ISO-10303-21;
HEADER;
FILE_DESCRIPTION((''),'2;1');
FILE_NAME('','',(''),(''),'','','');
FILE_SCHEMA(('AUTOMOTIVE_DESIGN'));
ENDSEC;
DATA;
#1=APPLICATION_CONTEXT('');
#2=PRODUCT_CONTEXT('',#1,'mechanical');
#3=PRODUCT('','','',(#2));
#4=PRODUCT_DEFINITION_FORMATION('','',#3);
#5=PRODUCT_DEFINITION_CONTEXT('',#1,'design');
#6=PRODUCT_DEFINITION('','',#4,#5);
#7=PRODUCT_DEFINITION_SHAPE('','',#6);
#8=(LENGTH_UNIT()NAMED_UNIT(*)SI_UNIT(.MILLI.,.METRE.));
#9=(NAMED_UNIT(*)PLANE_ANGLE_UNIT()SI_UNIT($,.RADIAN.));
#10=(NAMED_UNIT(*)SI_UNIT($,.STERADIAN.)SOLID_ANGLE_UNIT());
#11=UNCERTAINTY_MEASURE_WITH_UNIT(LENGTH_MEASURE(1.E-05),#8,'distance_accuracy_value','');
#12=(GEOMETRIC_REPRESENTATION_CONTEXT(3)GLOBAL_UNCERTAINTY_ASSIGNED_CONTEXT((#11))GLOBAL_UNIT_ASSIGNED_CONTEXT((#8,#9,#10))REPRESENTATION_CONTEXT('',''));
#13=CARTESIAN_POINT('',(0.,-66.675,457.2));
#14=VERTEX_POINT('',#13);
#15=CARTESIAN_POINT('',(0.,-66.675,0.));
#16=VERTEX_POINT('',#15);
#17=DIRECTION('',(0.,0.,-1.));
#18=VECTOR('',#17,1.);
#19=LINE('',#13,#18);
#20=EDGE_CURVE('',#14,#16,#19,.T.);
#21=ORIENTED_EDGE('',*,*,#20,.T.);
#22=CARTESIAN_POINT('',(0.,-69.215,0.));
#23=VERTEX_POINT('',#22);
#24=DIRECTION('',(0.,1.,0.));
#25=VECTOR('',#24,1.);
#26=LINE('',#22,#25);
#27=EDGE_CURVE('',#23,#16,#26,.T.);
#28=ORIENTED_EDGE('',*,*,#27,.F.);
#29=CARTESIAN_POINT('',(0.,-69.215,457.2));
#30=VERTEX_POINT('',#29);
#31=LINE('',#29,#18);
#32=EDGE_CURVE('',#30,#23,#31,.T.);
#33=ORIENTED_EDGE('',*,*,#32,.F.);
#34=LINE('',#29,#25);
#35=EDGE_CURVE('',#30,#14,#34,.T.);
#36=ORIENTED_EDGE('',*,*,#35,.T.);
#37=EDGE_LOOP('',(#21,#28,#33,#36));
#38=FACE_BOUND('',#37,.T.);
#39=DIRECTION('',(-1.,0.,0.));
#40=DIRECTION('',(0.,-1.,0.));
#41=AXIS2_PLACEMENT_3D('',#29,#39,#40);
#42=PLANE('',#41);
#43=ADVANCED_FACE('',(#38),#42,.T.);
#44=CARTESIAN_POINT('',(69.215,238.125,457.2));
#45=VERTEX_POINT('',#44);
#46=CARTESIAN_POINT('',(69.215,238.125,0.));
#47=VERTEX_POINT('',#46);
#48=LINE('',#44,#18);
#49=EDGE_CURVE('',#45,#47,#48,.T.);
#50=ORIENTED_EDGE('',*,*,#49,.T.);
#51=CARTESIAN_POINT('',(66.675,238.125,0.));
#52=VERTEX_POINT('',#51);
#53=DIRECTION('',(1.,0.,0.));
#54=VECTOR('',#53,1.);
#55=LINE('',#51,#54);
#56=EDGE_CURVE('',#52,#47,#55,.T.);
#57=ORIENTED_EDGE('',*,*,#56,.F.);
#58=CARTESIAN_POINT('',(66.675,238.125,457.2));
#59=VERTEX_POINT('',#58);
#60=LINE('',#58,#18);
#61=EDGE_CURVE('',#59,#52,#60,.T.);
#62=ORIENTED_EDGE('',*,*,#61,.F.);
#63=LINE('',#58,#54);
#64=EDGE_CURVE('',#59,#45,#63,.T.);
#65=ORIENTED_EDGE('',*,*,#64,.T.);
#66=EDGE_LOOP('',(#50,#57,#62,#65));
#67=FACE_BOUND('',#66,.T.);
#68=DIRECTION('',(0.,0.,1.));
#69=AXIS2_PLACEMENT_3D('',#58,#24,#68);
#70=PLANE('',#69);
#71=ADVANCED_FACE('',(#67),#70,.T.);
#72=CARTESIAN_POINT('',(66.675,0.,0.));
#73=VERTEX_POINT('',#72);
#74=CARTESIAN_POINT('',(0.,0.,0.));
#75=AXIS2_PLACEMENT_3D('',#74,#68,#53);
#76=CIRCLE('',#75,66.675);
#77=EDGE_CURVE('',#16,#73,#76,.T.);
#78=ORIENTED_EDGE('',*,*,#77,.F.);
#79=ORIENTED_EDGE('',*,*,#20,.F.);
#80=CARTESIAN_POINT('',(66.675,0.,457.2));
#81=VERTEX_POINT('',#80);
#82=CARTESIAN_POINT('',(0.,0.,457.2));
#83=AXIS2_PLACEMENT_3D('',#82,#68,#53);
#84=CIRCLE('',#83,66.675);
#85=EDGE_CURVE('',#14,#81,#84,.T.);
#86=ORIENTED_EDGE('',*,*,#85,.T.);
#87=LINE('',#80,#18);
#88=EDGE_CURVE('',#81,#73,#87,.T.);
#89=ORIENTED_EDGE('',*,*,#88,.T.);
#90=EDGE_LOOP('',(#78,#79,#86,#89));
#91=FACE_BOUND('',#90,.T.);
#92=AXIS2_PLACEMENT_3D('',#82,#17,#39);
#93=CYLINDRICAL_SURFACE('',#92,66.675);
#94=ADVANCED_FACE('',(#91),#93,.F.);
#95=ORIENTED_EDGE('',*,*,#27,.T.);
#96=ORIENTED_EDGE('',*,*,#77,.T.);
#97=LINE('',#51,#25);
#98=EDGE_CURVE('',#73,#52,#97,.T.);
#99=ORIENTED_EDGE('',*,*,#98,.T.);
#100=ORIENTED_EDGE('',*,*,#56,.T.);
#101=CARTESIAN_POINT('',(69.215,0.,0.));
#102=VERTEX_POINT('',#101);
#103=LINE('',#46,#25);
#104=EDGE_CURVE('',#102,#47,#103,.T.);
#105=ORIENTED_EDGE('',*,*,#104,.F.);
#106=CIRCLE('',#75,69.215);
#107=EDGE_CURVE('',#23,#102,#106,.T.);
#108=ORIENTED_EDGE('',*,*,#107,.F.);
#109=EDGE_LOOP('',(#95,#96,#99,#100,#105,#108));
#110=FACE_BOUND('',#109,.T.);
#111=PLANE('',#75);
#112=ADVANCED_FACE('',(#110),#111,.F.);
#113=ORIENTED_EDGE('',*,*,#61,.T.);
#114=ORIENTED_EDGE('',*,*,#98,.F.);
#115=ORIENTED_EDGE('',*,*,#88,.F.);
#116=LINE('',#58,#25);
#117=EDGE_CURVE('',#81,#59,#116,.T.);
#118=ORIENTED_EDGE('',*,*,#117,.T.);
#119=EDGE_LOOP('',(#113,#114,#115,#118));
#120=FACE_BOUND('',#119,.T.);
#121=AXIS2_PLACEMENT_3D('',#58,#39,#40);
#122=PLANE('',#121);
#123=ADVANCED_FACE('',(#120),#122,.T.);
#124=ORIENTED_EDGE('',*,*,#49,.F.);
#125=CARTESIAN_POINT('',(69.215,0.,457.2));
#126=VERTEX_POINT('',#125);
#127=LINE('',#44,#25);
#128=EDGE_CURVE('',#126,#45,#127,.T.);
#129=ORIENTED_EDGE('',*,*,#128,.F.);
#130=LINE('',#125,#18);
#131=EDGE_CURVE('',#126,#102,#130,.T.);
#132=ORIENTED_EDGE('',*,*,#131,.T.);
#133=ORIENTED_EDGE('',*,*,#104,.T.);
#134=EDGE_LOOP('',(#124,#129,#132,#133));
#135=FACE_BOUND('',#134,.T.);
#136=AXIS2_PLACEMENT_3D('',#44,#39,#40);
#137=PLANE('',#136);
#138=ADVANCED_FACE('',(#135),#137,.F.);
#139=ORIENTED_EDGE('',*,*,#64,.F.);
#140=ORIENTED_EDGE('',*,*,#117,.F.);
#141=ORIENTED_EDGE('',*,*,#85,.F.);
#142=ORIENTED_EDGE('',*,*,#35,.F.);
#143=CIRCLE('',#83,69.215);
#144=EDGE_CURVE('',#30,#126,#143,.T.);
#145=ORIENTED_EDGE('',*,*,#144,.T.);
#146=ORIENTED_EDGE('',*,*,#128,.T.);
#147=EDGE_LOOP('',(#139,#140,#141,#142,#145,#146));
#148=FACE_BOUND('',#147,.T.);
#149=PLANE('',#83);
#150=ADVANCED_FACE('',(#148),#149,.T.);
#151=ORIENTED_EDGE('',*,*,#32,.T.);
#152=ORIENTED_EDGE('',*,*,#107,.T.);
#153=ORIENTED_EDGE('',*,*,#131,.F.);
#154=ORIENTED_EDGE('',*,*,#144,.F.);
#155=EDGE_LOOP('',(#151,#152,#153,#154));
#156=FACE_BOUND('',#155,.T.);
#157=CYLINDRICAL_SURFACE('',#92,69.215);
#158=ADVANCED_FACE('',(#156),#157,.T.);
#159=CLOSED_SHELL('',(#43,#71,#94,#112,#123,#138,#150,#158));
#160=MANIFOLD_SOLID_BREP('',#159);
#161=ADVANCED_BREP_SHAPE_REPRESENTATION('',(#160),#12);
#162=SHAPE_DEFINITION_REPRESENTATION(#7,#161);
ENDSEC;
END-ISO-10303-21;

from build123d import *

# Parameters (mm, degrees)
EXTRUDE_THIN1_DEPTH = 457.2


with BuildPart() as part:
    # Sketch1 → Extrude-Thin1 (new body)
    with BuildSketch(Plane.XY):
        with BuildLine():
            Line((66.675, 238.125), (66.675, 0))
            ThreePointArc((66.675, 0), (47.146344636, -47.146344636), (0, -66.675))
            Line((0, -66.675), (0, -69.215))
            ThreePointArc((0, -69.215), (48.94239586, -48.94239586), (69.215, 0))
            Line((69.215, 0), (69.215, 238.125))
            Line((69.215, 238.125), (66.675, 238.125))
        make_face()
    extrude(amount=EXTRUDE_THIN1_DEPTH)


solid = part.part
